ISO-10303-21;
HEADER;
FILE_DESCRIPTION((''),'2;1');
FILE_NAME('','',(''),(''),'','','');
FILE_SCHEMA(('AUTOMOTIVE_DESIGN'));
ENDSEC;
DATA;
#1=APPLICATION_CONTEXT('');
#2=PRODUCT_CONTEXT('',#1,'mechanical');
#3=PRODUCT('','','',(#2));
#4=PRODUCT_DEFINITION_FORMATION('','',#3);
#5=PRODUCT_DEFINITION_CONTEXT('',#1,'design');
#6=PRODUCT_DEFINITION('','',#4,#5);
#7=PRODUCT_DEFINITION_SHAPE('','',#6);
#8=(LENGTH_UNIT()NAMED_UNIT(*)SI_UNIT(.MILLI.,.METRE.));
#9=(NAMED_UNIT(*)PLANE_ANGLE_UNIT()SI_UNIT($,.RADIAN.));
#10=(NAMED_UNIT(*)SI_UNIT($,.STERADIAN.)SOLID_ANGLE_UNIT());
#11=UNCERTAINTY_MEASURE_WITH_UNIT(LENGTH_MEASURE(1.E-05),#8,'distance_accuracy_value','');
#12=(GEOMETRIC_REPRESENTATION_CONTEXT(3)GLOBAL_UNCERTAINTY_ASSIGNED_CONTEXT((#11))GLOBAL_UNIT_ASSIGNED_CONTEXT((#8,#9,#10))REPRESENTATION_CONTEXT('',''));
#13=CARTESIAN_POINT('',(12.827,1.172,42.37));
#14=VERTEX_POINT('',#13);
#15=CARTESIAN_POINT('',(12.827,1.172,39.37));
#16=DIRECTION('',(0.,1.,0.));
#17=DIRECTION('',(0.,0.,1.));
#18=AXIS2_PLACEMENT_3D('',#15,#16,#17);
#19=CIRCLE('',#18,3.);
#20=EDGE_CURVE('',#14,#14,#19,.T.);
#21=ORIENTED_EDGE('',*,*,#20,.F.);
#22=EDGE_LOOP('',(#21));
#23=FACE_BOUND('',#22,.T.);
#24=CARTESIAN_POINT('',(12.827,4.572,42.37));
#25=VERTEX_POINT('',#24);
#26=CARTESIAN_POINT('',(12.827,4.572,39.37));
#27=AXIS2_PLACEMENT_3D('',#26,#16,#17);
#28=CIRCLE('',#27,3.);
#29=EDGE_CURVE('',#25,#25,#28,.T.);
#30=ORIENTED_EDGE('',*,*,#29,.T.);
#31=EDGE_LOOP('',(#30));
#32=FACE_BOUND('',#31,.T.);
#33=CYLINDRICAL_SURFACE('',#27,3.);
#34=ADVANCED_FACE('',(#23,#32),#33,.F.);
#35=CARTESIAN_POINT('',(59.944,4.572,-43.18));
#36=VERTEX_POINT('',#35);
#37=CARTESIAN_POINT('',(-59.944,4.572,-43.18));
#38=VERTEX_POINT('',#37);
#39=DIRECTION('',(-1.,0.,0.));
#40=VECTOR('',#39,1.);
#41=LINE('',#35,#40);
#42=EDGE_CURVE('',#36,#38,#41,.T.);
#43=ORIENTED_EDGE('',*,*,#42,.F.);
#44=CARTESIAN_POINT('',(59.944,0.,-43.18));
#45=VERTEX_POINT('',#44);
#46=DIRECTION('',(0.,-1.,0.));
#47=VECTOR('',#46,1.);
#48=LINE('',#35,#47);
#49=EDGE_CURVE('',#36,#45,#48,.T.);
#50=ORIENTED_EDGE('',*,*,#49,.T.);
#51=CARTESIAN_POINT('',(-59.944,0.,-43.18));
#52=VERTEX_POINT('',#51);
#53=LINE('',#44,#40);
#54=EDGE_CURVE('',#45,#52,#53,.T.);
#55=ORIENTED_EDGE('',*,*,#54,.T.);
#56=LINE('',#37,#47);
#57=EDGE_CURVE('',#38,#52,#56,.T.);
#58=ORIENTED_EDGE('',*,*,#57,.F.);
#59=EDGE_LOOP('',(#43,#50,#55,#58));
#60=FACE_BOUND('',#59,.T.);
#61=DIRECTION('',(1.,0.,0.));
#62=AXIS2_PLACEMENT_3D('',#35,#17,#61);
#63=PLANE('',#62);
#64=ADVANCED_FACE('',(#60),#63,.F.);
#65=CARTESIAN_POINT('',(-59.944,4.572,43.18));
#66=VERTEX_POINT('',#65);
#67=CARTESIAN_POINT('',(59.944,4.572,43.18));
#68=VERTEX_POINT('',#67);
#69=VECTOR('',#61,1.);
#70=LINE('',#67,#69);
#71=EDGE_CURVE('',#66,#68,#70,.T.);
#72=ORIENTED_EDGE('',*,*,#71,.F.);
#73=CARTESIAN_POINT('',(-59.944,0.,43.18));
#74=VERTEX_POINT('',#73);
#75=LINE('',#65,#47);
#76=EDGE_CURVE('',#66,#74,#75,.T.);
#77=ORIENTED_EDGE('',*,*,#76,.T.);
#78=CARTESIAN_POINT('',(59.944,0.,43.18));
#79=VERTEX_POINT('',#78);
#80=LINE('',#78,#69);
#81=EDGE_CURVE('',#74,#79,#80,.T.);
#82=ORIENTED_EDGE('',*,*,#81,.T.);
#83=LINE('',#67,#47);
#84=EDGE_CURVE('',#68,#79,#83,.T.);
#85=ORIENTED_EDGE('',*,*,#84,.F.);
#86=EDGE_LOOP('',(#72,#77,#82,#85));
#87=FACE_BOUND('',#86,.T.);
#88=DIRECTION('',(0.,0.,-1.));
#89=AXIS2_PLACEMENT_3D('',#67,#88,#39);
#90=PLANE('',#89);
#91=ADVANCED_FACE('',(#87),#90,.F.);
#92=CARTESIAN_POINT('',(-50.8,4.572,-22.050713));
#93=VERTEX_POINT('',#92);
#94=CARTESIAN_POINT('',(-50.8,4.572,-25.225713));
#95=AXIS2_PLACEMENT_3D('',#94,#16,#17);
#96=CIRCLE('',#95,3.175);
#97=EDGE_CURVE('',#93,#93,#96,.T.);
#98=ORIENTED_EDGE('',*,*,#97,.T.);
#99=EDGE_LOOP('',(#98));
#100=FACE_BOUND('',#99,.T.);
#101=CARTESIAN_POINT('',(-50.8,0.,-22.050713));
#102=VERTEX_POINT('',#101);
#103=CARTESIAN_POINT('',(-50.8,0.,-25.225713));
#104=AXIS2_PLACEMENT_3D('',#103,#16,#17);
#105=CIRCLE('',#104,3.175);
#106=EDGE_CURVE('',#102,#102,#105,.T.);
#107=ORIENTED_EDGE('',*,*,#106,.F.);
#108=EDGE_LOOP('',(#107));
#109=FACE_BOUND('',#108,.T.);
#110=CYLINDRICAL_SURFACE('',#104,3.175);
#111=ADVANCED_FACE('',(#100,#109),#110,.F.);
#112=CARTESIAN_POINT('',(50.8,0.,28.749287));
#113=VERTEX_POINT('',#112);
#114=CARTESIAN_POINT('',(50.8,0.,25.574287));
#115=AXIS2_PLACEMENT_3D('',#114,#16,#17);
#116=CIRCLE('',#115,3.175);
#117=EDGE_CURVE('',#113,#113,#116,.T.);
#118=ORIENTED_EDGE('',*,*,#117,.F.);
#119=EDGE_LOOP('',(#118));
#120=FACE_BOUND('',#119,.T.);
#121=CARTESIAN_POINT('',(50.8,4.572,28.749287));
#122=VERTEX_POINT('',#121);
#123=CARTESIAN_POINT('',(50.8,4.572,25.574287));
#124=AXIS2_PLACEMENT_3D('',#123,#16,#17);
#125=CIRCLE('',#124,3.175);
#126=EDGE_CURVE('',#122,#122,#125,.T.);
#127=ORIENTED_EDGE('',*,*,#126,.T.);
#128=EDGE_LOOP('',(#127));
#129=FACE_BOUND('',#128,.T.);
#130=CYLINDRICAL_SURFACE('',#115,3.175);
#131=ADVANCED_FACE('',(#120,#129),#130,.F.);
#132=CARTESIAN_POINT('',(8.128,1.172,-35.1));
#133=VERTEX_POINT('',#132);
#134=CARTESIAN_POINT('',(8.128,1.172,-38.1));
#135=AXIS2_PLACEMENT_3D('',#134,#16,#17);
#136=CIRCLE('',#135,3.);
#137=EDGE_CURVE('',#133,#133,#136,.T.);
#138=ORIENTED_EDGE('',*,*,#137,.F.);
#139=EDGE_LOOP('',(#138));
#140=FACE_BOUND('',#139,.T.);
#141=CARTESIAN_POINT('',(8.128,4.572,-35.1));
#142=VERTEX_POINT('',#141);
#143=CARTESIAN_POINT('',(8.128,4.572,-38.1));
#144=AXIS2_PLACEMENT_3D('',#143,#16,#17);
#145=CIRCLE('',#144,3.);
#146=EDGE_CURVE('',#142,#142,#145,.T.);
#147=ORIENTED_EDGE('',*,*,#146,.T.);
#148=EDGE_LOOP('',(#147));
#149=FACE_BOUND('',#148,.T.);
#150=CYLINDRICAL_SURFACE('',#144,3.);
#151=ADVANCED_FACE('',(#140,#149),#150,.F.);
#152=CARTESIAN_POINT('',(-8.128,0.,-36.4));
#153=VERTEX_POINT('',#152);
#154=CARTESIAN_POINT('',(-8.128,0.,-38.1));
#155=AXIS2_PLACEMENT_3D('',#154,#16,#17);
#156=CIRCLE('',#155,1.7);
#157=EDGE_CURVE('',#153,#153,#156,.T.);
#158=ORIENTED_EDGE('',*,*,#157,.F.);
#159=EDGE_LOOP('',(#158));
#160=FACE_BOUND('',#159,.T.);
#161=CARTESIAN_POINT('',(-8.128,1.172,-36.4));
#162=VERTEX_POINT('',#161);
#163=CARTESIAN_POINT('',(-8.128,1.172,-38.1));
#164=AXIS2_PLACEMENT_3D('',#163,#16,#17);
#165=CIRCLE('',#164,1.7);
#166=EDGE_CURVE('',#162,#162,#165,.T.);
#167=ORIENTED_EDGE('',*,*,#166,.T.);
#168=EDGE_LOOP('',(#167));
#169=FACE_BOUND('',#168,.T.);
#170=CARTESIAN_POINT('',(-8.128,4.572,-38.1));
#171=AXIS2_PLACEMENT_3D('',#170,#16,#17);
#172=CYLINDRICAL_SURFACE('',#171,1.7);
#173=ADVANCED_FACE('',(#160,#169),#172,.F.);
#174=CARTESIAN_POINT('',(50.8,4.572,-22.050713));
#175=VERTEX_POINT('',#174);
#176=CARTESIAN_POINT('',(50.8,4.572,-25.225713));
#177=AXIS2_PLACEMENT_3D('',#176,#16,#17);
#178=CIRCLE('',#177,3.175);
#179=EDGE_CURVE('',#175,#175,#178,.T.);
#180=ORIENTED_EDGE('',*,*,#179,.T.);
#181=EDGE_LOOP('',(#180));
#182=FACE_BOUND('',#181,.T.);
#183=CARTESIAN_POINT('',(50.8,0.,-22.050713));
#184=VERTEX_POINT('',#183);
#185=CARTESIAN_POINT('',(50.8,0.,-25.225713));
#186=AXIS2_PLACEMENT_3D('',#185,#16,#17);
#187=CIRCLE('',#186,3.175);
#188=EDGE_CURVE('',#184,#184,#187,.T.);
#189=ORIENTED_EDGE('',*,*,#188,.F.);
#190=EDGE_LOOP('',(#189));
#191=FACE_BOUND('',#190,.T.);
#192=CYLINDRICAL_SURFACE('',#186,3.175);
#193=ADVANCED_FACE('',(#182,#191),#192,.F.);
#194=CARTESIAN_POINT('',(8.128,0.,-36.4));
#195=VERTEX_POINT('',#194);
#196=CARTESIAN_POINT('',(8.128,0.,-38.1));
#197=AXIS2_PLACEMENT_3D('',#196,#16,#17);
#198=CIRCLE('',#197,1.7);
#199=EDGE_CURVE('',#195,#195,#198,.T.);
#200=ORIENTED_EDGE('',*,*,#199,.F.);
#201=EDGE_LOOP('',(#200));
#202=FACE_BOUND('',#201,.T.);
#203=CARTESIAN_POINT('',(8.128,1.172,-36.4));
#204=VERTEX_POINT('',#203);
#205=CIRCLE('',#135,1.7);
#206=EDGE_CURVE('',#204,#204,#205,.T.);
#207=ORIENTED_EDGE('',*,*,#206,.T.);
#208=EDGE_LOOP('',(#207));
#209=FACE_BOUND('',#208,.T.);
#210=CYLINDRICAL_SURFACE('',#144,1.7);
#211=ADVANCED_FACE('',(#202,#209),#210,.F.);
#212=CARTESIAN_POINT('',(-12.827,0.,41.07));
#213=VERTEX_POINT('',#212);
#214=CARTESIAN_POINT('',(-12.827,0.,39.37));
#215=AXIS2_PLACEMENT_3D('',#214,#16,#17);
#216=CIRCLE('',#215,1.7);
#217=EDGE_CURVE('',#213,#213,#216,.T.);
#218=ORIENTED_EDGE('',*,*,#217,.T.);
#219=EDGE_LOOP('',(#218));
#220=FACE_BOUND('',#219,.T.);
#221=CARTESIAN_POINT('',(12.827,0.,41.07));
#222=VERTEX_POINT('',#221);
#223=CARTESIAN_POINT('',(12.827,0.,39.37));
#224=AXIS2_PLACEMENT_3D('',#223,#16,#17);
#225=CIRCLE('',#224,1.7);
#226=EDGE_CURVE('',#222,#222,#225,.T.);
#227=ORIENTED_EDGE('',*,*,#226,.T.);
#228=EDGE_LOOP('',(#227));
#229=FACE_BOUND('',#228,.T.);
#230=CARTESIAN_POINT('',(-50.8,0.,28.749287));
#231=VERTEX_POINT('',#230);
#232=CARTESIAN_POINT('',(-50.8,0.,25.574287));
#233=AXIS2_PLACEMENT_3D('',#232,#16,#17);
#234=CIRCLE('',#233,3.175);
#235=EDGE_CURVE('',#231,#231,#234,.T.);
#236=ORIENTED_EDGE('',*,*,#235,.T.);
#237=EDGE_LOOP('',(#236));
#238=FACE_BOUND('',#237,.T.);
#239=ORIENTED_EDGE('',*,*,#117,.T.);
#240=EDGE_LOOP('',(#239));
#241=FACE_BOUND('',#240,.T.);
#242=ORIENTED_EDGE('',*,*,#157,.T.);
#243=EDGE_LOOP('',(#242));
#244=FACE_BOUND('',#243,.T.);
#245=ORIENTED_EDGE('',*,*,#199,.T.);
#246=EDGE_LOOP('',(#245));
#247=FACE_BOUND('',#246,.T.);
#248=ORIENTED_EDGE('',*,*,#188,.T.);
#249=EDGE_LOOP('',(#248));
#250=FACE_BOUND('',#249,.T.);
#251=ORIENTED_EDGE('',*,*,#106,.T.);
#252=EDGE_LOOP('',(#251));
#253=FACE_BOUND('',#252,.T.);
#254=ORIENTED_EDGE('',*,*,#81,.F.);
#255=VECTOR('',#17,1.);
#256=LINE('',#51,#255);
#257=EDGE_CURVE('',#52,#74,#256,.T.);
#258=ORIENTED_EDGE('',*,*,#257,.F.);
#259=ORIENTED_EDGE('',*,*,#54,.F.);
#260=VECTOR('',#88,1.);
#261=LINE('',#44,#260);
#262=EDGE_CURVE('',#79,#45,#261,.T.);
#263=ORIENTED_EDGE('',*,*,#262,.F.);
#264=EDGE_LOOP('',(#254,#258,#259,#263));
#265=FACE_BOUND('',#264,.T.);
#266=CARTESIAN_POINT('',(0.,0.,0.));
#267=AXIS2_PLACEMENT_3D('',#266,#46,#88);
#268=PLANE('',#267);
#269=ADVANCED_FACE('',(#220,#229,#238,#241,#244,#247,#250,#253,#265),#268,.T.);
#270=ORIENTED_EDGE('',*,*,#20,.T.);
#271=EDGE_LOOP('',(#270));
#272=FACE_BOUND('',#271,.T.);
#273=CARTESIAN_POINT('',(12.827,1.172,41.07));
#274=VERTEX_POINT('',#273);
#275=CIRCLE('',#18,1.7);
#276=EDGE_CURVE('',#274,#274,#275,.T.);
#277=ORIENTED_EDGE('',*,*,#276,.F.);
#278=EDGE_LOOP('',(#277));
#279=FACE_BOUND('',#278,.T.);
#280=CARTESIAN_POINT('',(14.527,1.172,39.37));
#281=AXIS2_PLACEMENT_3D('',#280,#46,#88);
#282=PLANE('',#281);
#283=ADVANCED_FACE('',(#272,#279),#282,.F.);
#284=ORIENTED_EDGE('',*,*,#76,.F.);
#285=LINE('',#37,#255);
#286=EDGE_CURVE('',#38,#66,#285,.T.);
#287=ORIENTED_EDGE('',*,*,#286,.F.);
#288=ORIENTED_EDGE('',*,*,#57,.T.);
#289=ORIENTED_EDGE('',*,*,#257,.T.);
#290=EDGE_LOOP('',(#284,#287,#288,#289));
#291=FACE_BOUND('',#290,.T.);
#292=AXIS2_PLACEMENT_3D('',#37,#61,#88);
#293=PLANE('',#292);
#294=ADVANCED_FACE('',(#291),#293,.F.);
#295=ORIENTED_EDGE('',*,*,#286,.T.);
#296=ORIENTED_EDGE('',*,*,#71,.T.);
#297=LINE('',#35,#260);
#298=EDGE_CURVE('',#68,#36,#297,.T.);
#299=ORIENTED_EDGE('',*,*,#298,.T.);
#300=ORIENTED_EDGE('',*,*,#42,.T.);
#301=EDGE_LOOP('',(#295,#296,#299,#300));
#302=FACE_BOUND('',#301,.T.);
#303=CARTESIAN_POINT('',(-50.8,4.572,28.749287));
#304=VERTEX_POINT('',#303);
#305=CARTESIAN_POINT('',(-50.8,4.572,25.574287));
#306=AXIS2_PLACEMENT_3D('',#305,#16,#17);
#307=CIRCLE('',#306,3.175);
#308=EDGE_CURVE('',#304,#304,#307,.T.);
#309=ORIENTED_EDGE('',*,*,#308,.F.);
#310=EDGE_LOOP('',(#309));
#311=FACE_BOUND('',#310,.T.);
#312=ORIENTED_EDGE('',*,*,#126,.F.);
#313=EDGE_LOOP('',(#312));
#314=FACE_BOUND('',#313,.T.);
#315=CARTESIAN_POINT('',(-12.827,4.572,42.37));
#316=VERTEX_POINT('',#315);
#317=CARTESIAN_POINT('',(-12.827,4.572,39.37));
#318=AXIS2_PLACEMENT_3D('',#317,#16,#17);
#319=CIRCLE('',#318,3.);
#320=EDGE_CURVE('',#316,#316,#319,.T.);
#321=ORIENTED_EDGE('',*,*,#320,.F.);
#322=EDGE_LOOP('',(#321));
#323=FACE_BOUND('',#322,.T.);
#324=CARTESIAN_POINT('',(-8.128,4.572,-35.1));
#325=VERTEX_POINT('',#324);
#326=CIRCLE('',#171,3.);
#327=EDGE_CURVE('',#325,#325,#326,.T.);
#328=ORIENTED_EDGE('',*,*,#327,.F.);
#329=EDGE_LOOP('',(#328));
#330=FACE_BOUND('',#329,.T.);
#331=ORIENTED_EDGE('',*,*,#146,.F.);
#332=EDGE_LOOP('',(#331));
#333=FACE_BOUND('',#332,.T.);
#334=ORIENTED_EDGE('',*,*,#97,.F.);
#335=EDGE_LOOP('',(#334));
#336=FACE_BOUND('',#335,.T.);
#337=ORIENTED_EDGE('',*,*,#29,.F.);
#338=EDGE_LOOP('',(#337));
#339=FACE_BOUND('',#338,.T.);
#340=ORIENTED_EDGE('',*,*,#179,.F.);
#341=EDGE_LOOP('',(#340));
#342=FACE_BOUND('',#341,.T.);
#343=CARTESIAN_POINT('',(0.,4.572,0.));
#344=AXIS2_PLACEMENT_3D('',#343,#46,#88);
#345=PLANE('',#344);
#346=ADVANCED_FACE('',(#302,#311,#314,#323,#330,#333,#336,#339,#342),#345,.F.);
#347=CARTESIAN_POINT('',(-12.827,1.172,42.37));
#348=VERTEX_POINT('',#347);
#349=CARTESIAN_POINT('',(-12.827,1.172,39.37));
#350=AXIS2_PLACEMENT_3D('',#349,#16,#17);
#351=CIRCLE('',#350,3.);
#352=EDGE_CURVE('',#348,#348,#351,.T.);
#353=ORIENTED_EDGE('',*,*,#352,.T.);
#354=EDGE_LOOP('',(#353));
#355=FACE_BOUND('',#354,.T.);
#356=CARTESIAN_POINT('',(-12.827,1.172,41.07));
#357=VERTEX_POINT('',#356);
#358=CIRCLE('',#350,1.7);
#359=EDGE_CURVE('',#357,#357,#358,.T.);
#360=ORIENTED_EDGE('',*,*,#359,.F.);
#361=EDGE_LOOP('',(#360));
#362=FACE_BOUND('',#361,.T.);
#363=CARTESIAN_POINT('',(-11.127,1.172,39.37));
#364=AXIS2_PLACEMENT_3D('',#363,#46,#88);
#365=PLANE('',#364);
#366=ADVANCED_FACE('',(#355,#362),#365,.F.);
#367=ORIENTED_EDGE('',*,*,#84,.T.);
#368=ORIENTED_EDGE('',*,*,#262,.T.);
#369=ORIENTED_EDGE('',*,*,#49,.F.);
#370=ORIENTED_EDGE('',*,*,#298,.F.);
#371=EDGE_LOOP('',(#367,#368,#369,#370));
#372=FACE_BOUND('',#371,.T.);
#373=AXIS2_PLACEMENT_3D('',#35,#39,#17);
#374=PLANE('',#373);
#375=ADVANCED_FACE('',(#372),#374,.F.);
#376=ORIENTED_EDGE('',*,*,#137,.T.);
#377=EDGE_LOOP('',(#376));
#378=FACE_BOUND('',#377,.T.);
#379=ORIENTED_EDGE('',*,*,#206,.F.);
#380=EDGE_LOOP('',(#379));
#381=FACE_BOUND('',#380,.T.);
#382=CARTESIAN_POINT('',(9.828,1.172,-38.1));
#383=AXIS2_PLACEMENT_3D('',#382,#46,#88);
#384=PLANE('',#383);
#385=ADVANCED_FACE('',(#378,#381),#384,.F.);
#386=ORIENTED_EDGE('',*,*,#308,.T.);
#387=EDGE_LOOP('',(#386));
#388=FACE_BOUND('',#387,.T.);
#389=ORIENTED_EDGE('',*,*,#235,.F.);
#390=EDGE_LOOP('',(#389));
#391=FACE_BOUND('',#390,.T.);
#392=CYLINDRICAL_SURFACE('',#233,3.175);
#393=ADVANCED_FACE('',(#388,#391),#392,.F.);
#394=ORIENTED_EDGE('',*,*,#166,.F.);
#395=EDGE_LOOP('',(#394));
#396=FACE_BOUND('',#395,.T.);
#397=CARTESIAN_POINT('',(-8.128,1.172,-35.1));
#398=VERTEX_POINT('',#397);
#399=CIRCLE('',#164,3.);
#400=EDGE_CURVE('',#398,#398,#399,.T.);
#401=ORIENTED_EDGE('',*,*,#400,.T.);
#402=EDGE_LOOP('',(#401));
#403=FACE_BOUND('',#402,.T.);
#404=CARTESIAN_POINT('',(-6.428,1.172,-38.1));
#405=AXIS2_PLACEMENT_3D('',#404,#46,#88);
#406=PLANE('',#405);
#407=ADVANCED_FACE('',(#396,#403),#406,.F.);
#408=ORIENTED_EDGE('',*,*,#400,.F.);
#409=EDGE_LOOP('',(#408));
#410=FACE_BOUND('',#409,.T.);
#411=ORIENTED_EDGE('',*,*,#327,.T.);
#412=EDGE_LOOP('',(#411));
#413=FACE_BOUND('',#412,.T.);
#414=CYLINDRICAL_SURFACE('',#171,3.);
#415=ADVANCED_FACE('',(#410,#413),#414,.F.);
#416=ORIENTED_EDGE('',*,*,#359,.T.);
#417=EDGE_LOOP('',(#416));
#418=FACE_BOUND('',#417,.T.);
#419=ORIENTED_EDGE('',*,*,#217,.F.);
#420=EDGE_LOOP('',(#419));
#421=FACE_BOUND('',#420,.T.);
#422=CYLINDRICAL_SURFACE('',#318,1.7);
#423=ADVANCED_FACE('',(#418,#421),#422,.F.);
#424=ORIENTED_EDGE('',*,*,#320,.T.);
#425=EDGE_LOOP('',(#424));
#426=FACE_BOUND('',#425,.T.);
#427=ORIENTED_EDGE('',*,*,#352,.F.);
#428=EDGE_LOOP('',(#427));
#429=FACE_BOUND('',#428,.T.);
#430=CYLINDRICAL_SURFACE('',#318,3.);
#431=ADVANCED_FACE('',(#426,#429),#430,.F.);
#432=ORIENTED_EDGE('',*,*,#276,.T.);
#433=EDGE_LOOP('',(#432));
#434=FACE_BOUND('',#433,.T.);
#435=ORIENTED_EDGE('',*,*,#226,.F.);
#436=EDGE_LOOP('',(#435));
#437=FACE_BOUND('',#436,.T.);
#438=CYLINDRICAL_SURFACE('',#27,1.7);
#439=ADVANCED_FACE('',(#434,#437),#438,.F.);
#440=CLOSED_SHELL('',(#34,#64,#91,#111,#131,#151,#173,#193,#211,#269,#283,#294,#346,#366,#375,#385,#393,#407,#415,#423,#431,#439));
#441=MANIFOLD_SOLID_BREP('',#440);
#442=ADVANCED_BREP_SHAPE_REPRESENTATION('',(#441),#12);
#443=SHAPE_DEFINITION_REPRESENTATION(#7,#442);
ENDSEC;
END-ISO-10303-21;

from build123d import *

# Parameters (mm, degrees)
SKETCH1_W                                            = 119.888
SKETCH1_H                                            = 86.36
BOSS_EXTRUDE1_DEPTH                                  = 4.572
CBORE_FOR_M3_HEXAGON_SOCKET_HEAD_CAP_SCR_D           = 3.4
CBORE_FOR_M3_HEXAGON_SOCKET_HEAD_CAP_SCR_CBORE_D     = 6
CBORE_FOR_M3_HEXAGON_SOCKET_HEAD_CAP_SCR_CBORE_DEPTH = 3.4
SKETCH5_R                                            = 3.175
CUT_EXTRUDE1_DEPTH                                   = 5.572


with BuildPart() as part:
    # Sketch1 → Boss-Extrude1 (new body)
    with BuildSketch(Plane(origin=(0, 0, 0), x_dir=(1, 0, 0), z_dir=(0, 1, 0))):
        Rectangle(SKETCH1_W, SKETCH1_H)
    extrude(amount=BOSS_EXTRUDE1_DEPTH)

    # CBORE for M3 Hexagon socket head cap screws1 (through all)
    with Locations(Plane(origin=(0, 4.572, 0), x_dir=(1, 0, 0), z_dir=(0, 1, 0))):
        with Locations((8.128, 38.1), (12.827, -39.37), (-12.827, -39.37), (-8.128, 38.1)):
            CounterBoreHole(CBORE_FOR_M3_HEXAGON_SOCKET_HEAD_CAP_SCR_D / 2, CBORE_FOR_M3_HEXAGON_SOCKET_HEAD_CAP_SCR_CBORE_D / 2, CBORE_FOR_M3_HEXAGON_SOCKET_HEAD_CAP_SCR_CBORE_DEPTH)

    # Sketch5 → Cut-Extrude1 (cut, through all)
    with BuildSketch(Plane(origin=(0, 4.572, 0), x_dir=(1, 0, 0), z_dir=(0, 1, 0))):
        with Locations((50.8, 25.225713352)):
            Circle(SKETCH5_R)
        with Locations((50.8, -25.574286648)):
            Circle(SKETCH5_R)
        with Locations((-50.8, 25.225713352)):
            Circle(SKETCH5_R)
        with Locations((-50.8, -25.574286648)):
            Circle(SKETCH5_R)
    extrude(amount=-CUT_EXTRUDE1_DEPTH, mode=Mode.SUBTRACT)


solid = part.part
